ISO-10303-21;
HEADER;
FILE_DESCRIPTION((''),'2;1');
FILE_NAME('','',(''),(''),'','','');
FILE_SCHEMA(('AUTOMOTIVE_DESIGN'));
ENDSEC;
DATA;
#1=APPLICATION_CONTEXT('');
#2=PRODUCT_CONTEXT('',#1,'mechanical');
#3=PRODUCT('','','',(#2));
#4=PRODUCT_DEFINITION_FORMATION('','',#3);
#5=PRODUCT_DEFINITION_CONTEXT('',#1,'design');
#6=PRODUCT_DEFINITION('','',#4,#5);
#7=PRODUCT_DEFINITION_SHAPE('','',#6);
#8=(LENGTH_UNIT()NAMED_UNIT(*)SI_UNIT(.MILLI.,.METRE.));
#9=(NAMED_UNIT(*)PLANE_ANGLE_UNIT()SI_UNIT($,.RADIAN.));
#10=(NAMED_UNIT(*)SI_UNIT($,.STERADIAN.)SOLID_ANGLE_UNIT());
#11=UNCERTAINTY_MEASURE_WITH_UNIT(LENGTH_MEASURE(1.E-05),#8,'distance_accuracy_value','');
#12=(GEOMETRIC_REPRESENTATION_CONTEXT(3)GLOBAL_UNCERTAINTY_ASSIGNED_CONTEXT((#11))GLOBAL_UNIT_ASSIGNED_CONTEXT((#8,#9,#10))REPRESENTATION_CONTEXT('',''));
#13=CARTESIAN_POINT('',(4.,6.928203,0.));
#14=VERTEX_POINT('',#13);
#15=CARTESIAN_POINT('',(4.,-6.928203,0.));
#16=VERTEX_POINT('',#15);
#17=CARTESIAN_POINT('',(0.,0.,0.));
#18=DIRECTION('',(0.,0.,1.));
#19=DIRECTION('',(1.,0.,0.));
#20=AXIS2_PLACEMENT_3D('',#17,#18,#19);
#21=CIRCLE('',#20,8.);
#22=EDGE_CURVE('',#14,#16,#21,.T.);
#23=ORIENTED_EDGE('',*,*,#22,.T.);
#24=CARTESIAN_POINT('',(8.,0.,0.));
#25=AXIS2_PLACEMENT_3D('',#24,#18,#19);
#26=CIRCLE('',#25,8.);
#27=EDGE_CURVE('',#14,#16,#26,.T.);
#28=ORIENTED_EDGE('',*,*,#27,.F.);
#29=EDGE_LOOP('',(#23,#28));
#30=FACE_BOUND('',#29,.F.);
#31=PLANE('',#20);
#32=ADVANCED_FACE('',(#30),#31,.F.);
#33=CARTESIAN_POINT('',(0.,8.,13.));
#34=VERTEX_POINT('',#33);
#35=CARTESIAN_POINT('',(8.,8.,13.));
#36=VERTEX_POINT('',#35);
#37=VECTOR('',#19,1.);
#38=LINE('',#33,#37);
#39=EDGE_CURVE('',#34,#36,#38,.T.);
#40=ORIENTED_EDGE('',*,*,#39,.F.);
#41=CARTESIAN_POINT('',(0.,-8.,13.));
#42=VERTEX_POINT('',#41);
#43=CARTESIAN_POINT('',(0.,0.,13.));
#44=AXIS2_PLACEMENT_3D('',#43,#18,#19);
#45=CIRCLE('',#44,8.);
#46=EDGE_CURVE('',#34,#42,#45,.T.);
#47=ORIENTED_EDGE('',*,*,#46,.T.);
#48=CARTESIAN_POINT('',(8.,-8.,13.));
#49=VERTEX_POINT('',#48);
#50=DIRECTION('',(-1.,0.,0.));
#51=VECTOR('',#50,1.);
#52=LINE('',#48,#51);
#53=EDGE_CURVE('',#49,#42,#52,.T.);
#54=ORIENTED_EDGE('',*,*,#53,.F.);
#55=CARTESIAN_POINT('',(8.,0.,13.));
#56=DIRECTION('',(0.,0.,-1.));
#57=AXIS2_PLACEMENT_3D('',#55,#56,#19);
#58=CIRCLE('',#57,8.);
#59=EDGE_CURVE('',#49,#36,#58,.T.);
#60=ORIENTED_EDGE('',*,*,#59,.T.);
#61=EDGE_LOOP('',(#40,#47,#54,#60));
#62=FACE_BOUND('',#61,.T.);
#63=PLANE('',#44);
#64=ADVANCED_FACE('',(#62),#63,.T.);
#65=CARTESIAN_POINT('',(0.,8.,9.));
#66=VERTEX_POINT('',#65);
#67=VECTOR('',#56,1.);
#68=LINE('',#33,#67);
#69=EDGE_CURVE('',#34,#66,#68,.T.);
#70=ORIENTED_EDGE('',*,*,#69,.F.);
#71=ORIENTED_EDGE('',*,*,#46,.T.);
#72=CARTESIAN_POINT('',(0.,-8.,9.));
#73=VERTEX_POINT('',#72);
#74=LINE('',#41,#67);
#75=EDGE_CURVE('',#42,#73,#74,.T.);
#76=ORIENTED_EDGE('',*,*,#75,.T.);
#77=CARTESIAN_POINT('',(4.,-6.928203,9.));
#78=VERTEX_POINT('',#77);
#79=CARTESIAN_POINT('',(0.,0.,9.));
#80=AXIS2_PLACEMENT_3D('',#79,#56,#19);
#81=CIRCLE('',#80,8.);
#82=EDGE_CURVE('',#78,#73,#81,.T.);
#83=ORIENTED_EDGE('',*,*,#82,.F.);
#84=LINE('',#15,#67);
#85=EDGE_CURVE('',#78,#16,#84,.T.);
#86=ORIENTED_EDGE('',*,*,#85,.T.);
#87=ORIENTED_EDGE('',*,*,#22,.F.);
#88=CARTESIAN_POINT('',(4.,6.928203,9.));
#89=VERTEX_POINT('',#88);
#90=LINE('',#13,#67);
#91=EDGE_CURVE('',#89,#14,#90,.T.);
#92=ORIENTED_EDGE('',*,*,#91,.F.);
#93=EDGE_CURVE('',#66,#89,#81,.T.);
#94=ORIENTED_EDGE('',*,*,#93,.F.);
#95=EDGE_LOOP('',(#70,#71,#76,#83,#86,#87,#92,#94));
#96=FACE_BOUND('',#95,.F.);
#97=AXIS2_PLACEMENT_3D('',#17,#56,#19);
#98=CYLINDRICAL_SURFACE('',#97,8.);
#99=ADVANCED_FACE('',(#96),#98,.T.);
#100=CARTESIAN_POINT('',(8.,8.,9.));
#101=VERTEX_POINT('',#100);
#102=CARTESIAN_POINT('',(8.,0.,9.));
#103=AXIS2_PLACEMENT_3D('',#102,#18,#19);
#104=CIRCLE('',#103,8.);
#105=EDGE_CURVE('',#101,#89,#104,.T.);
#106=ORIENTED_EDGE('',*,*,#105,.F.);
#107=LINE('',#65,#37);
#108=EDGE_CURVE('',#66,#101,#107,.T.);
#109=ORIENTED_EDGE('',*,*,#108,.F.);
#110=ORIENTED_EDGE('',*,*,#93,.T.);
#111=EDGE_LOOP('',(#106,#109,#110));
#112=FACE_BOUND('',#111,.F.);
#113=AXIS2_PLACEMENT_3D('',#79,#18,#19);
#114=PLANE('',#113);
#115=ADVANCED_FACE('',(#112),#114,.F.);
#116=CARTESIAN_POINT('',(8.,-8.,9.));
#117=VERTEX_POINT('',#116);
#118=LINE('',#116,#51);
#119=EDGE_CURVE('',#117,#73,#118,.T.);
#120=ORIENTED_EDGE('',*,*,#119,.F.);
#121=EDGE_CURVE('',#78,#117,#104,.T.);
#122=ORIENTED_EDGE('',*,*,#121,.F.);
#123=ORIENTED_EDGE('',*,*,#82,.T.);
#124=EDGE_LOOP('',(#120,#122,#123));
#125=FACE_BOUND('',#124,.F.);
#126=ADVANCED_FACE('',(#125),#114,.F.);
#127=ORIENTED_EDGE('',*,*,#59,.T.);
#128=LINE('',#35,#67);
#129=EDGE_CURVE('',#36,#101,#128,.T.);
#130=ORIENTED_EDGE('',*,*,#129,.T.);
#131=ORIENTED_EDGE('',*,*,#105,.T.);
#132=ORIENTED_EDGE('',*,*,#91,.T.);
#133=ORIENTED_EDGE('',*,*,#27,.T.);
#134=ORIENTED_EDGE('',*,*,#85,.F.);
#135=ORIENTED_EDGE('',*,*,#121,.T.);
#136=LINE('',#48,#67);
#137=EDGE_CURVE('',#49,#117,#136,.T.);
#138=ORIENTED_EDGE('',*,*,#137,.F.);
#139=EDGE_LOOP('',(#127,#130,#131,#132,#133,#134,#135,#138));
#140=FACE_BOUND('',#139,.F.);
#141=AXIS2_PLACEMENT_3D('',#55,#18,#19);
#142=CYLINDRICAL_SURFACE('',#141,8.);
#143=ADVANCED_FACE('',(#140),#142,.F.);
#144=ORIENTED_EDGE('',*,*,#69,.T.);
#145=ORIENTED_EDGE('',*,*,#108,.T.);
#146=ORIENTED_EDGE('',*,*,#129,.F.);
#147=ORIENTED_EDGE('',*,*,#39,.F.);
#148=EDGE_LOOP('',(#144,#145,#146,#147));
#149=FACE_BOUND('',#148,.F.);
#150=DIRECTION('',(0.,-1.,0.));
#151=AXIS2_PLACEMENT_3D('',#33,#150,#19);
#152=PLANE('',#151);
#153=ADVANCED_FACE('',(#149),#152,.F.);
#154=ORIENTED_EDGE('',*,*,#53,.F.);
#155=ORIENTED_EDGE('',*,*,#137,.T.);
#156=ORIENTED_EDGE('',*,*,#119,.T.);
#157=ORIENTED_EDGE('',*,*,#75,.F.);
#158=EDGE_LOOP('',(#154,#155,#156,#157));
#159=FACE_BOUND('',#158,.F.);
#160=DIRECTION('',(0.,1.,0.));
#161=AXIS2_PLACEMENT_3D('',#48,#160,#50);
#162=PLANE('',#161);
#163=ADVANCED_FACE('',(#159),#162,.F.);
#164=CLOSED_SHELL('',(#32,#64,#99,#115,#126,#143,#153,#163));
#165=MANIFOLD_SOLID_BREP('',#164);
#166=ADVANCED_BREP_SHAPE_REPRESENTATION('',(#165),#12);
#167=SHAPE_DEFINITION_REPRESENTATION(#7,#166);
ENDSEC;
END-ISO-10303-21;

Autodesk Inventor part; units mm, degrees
ref_plane "YZ Plane" through (0, 0, 0) normal (1, 0, 0) x (0, 1, 0)
ref_plane "XZ Plane" through (0, 0, 0) normal (0, 1, 0) x (-1, 0, 0)
ref_plane "XY Plane" through (0, 0, 0) normal (0, 0, 1) x (1, 0, 0)
sketch "Sketch1" plane through (0, 0, 0) normal (0, 0, 1) x (1, 0, 0)
  circle A0 centre (0, 0) radius 8
  circle A1 centre (8, 0) radius 6 construction
  dimension "d0" = 16
  dimension "d1" = 12
extrude "Extrusion1" add sketch "Sketch1" along normal blind 13
sketch "Sketch2" plane through (0, 0, 13) normal (0, 0, 1) x (1, 0, 0)
  circle A0 centre (0, 0) radius 8 projected
  circle A1 centre (8, 0) radius 8 construction
  line L0 (0, 8) -> (8, 8)
  line L1 (8, 8) -> (8, -8)
  line L2 (8, -8) -> (0, -8)
  line L3 (0, -8) -> (0, 8)
extrude "Extrusion2" add sketch "Sketch2" against normal blind 4 contours A0 L3 | L1 L2 A0 | A0 L0 L1 picked at (1.157, 2.4026)
sketch "Sketch3" plane through (0, 0, 13) normal (0, 0, 1) x (1, 0, 0)
  arc A0 (0, 8) -> (0, -8) centre (0, 0) ccw projected
  line L0 (8, 8) -> (8, -8) projected
  circle A1 centre (8, 0) radius 8
extrude "Extrusion3" cut sketch "Sketch3" against normal through all
properties part number "effector plug"
